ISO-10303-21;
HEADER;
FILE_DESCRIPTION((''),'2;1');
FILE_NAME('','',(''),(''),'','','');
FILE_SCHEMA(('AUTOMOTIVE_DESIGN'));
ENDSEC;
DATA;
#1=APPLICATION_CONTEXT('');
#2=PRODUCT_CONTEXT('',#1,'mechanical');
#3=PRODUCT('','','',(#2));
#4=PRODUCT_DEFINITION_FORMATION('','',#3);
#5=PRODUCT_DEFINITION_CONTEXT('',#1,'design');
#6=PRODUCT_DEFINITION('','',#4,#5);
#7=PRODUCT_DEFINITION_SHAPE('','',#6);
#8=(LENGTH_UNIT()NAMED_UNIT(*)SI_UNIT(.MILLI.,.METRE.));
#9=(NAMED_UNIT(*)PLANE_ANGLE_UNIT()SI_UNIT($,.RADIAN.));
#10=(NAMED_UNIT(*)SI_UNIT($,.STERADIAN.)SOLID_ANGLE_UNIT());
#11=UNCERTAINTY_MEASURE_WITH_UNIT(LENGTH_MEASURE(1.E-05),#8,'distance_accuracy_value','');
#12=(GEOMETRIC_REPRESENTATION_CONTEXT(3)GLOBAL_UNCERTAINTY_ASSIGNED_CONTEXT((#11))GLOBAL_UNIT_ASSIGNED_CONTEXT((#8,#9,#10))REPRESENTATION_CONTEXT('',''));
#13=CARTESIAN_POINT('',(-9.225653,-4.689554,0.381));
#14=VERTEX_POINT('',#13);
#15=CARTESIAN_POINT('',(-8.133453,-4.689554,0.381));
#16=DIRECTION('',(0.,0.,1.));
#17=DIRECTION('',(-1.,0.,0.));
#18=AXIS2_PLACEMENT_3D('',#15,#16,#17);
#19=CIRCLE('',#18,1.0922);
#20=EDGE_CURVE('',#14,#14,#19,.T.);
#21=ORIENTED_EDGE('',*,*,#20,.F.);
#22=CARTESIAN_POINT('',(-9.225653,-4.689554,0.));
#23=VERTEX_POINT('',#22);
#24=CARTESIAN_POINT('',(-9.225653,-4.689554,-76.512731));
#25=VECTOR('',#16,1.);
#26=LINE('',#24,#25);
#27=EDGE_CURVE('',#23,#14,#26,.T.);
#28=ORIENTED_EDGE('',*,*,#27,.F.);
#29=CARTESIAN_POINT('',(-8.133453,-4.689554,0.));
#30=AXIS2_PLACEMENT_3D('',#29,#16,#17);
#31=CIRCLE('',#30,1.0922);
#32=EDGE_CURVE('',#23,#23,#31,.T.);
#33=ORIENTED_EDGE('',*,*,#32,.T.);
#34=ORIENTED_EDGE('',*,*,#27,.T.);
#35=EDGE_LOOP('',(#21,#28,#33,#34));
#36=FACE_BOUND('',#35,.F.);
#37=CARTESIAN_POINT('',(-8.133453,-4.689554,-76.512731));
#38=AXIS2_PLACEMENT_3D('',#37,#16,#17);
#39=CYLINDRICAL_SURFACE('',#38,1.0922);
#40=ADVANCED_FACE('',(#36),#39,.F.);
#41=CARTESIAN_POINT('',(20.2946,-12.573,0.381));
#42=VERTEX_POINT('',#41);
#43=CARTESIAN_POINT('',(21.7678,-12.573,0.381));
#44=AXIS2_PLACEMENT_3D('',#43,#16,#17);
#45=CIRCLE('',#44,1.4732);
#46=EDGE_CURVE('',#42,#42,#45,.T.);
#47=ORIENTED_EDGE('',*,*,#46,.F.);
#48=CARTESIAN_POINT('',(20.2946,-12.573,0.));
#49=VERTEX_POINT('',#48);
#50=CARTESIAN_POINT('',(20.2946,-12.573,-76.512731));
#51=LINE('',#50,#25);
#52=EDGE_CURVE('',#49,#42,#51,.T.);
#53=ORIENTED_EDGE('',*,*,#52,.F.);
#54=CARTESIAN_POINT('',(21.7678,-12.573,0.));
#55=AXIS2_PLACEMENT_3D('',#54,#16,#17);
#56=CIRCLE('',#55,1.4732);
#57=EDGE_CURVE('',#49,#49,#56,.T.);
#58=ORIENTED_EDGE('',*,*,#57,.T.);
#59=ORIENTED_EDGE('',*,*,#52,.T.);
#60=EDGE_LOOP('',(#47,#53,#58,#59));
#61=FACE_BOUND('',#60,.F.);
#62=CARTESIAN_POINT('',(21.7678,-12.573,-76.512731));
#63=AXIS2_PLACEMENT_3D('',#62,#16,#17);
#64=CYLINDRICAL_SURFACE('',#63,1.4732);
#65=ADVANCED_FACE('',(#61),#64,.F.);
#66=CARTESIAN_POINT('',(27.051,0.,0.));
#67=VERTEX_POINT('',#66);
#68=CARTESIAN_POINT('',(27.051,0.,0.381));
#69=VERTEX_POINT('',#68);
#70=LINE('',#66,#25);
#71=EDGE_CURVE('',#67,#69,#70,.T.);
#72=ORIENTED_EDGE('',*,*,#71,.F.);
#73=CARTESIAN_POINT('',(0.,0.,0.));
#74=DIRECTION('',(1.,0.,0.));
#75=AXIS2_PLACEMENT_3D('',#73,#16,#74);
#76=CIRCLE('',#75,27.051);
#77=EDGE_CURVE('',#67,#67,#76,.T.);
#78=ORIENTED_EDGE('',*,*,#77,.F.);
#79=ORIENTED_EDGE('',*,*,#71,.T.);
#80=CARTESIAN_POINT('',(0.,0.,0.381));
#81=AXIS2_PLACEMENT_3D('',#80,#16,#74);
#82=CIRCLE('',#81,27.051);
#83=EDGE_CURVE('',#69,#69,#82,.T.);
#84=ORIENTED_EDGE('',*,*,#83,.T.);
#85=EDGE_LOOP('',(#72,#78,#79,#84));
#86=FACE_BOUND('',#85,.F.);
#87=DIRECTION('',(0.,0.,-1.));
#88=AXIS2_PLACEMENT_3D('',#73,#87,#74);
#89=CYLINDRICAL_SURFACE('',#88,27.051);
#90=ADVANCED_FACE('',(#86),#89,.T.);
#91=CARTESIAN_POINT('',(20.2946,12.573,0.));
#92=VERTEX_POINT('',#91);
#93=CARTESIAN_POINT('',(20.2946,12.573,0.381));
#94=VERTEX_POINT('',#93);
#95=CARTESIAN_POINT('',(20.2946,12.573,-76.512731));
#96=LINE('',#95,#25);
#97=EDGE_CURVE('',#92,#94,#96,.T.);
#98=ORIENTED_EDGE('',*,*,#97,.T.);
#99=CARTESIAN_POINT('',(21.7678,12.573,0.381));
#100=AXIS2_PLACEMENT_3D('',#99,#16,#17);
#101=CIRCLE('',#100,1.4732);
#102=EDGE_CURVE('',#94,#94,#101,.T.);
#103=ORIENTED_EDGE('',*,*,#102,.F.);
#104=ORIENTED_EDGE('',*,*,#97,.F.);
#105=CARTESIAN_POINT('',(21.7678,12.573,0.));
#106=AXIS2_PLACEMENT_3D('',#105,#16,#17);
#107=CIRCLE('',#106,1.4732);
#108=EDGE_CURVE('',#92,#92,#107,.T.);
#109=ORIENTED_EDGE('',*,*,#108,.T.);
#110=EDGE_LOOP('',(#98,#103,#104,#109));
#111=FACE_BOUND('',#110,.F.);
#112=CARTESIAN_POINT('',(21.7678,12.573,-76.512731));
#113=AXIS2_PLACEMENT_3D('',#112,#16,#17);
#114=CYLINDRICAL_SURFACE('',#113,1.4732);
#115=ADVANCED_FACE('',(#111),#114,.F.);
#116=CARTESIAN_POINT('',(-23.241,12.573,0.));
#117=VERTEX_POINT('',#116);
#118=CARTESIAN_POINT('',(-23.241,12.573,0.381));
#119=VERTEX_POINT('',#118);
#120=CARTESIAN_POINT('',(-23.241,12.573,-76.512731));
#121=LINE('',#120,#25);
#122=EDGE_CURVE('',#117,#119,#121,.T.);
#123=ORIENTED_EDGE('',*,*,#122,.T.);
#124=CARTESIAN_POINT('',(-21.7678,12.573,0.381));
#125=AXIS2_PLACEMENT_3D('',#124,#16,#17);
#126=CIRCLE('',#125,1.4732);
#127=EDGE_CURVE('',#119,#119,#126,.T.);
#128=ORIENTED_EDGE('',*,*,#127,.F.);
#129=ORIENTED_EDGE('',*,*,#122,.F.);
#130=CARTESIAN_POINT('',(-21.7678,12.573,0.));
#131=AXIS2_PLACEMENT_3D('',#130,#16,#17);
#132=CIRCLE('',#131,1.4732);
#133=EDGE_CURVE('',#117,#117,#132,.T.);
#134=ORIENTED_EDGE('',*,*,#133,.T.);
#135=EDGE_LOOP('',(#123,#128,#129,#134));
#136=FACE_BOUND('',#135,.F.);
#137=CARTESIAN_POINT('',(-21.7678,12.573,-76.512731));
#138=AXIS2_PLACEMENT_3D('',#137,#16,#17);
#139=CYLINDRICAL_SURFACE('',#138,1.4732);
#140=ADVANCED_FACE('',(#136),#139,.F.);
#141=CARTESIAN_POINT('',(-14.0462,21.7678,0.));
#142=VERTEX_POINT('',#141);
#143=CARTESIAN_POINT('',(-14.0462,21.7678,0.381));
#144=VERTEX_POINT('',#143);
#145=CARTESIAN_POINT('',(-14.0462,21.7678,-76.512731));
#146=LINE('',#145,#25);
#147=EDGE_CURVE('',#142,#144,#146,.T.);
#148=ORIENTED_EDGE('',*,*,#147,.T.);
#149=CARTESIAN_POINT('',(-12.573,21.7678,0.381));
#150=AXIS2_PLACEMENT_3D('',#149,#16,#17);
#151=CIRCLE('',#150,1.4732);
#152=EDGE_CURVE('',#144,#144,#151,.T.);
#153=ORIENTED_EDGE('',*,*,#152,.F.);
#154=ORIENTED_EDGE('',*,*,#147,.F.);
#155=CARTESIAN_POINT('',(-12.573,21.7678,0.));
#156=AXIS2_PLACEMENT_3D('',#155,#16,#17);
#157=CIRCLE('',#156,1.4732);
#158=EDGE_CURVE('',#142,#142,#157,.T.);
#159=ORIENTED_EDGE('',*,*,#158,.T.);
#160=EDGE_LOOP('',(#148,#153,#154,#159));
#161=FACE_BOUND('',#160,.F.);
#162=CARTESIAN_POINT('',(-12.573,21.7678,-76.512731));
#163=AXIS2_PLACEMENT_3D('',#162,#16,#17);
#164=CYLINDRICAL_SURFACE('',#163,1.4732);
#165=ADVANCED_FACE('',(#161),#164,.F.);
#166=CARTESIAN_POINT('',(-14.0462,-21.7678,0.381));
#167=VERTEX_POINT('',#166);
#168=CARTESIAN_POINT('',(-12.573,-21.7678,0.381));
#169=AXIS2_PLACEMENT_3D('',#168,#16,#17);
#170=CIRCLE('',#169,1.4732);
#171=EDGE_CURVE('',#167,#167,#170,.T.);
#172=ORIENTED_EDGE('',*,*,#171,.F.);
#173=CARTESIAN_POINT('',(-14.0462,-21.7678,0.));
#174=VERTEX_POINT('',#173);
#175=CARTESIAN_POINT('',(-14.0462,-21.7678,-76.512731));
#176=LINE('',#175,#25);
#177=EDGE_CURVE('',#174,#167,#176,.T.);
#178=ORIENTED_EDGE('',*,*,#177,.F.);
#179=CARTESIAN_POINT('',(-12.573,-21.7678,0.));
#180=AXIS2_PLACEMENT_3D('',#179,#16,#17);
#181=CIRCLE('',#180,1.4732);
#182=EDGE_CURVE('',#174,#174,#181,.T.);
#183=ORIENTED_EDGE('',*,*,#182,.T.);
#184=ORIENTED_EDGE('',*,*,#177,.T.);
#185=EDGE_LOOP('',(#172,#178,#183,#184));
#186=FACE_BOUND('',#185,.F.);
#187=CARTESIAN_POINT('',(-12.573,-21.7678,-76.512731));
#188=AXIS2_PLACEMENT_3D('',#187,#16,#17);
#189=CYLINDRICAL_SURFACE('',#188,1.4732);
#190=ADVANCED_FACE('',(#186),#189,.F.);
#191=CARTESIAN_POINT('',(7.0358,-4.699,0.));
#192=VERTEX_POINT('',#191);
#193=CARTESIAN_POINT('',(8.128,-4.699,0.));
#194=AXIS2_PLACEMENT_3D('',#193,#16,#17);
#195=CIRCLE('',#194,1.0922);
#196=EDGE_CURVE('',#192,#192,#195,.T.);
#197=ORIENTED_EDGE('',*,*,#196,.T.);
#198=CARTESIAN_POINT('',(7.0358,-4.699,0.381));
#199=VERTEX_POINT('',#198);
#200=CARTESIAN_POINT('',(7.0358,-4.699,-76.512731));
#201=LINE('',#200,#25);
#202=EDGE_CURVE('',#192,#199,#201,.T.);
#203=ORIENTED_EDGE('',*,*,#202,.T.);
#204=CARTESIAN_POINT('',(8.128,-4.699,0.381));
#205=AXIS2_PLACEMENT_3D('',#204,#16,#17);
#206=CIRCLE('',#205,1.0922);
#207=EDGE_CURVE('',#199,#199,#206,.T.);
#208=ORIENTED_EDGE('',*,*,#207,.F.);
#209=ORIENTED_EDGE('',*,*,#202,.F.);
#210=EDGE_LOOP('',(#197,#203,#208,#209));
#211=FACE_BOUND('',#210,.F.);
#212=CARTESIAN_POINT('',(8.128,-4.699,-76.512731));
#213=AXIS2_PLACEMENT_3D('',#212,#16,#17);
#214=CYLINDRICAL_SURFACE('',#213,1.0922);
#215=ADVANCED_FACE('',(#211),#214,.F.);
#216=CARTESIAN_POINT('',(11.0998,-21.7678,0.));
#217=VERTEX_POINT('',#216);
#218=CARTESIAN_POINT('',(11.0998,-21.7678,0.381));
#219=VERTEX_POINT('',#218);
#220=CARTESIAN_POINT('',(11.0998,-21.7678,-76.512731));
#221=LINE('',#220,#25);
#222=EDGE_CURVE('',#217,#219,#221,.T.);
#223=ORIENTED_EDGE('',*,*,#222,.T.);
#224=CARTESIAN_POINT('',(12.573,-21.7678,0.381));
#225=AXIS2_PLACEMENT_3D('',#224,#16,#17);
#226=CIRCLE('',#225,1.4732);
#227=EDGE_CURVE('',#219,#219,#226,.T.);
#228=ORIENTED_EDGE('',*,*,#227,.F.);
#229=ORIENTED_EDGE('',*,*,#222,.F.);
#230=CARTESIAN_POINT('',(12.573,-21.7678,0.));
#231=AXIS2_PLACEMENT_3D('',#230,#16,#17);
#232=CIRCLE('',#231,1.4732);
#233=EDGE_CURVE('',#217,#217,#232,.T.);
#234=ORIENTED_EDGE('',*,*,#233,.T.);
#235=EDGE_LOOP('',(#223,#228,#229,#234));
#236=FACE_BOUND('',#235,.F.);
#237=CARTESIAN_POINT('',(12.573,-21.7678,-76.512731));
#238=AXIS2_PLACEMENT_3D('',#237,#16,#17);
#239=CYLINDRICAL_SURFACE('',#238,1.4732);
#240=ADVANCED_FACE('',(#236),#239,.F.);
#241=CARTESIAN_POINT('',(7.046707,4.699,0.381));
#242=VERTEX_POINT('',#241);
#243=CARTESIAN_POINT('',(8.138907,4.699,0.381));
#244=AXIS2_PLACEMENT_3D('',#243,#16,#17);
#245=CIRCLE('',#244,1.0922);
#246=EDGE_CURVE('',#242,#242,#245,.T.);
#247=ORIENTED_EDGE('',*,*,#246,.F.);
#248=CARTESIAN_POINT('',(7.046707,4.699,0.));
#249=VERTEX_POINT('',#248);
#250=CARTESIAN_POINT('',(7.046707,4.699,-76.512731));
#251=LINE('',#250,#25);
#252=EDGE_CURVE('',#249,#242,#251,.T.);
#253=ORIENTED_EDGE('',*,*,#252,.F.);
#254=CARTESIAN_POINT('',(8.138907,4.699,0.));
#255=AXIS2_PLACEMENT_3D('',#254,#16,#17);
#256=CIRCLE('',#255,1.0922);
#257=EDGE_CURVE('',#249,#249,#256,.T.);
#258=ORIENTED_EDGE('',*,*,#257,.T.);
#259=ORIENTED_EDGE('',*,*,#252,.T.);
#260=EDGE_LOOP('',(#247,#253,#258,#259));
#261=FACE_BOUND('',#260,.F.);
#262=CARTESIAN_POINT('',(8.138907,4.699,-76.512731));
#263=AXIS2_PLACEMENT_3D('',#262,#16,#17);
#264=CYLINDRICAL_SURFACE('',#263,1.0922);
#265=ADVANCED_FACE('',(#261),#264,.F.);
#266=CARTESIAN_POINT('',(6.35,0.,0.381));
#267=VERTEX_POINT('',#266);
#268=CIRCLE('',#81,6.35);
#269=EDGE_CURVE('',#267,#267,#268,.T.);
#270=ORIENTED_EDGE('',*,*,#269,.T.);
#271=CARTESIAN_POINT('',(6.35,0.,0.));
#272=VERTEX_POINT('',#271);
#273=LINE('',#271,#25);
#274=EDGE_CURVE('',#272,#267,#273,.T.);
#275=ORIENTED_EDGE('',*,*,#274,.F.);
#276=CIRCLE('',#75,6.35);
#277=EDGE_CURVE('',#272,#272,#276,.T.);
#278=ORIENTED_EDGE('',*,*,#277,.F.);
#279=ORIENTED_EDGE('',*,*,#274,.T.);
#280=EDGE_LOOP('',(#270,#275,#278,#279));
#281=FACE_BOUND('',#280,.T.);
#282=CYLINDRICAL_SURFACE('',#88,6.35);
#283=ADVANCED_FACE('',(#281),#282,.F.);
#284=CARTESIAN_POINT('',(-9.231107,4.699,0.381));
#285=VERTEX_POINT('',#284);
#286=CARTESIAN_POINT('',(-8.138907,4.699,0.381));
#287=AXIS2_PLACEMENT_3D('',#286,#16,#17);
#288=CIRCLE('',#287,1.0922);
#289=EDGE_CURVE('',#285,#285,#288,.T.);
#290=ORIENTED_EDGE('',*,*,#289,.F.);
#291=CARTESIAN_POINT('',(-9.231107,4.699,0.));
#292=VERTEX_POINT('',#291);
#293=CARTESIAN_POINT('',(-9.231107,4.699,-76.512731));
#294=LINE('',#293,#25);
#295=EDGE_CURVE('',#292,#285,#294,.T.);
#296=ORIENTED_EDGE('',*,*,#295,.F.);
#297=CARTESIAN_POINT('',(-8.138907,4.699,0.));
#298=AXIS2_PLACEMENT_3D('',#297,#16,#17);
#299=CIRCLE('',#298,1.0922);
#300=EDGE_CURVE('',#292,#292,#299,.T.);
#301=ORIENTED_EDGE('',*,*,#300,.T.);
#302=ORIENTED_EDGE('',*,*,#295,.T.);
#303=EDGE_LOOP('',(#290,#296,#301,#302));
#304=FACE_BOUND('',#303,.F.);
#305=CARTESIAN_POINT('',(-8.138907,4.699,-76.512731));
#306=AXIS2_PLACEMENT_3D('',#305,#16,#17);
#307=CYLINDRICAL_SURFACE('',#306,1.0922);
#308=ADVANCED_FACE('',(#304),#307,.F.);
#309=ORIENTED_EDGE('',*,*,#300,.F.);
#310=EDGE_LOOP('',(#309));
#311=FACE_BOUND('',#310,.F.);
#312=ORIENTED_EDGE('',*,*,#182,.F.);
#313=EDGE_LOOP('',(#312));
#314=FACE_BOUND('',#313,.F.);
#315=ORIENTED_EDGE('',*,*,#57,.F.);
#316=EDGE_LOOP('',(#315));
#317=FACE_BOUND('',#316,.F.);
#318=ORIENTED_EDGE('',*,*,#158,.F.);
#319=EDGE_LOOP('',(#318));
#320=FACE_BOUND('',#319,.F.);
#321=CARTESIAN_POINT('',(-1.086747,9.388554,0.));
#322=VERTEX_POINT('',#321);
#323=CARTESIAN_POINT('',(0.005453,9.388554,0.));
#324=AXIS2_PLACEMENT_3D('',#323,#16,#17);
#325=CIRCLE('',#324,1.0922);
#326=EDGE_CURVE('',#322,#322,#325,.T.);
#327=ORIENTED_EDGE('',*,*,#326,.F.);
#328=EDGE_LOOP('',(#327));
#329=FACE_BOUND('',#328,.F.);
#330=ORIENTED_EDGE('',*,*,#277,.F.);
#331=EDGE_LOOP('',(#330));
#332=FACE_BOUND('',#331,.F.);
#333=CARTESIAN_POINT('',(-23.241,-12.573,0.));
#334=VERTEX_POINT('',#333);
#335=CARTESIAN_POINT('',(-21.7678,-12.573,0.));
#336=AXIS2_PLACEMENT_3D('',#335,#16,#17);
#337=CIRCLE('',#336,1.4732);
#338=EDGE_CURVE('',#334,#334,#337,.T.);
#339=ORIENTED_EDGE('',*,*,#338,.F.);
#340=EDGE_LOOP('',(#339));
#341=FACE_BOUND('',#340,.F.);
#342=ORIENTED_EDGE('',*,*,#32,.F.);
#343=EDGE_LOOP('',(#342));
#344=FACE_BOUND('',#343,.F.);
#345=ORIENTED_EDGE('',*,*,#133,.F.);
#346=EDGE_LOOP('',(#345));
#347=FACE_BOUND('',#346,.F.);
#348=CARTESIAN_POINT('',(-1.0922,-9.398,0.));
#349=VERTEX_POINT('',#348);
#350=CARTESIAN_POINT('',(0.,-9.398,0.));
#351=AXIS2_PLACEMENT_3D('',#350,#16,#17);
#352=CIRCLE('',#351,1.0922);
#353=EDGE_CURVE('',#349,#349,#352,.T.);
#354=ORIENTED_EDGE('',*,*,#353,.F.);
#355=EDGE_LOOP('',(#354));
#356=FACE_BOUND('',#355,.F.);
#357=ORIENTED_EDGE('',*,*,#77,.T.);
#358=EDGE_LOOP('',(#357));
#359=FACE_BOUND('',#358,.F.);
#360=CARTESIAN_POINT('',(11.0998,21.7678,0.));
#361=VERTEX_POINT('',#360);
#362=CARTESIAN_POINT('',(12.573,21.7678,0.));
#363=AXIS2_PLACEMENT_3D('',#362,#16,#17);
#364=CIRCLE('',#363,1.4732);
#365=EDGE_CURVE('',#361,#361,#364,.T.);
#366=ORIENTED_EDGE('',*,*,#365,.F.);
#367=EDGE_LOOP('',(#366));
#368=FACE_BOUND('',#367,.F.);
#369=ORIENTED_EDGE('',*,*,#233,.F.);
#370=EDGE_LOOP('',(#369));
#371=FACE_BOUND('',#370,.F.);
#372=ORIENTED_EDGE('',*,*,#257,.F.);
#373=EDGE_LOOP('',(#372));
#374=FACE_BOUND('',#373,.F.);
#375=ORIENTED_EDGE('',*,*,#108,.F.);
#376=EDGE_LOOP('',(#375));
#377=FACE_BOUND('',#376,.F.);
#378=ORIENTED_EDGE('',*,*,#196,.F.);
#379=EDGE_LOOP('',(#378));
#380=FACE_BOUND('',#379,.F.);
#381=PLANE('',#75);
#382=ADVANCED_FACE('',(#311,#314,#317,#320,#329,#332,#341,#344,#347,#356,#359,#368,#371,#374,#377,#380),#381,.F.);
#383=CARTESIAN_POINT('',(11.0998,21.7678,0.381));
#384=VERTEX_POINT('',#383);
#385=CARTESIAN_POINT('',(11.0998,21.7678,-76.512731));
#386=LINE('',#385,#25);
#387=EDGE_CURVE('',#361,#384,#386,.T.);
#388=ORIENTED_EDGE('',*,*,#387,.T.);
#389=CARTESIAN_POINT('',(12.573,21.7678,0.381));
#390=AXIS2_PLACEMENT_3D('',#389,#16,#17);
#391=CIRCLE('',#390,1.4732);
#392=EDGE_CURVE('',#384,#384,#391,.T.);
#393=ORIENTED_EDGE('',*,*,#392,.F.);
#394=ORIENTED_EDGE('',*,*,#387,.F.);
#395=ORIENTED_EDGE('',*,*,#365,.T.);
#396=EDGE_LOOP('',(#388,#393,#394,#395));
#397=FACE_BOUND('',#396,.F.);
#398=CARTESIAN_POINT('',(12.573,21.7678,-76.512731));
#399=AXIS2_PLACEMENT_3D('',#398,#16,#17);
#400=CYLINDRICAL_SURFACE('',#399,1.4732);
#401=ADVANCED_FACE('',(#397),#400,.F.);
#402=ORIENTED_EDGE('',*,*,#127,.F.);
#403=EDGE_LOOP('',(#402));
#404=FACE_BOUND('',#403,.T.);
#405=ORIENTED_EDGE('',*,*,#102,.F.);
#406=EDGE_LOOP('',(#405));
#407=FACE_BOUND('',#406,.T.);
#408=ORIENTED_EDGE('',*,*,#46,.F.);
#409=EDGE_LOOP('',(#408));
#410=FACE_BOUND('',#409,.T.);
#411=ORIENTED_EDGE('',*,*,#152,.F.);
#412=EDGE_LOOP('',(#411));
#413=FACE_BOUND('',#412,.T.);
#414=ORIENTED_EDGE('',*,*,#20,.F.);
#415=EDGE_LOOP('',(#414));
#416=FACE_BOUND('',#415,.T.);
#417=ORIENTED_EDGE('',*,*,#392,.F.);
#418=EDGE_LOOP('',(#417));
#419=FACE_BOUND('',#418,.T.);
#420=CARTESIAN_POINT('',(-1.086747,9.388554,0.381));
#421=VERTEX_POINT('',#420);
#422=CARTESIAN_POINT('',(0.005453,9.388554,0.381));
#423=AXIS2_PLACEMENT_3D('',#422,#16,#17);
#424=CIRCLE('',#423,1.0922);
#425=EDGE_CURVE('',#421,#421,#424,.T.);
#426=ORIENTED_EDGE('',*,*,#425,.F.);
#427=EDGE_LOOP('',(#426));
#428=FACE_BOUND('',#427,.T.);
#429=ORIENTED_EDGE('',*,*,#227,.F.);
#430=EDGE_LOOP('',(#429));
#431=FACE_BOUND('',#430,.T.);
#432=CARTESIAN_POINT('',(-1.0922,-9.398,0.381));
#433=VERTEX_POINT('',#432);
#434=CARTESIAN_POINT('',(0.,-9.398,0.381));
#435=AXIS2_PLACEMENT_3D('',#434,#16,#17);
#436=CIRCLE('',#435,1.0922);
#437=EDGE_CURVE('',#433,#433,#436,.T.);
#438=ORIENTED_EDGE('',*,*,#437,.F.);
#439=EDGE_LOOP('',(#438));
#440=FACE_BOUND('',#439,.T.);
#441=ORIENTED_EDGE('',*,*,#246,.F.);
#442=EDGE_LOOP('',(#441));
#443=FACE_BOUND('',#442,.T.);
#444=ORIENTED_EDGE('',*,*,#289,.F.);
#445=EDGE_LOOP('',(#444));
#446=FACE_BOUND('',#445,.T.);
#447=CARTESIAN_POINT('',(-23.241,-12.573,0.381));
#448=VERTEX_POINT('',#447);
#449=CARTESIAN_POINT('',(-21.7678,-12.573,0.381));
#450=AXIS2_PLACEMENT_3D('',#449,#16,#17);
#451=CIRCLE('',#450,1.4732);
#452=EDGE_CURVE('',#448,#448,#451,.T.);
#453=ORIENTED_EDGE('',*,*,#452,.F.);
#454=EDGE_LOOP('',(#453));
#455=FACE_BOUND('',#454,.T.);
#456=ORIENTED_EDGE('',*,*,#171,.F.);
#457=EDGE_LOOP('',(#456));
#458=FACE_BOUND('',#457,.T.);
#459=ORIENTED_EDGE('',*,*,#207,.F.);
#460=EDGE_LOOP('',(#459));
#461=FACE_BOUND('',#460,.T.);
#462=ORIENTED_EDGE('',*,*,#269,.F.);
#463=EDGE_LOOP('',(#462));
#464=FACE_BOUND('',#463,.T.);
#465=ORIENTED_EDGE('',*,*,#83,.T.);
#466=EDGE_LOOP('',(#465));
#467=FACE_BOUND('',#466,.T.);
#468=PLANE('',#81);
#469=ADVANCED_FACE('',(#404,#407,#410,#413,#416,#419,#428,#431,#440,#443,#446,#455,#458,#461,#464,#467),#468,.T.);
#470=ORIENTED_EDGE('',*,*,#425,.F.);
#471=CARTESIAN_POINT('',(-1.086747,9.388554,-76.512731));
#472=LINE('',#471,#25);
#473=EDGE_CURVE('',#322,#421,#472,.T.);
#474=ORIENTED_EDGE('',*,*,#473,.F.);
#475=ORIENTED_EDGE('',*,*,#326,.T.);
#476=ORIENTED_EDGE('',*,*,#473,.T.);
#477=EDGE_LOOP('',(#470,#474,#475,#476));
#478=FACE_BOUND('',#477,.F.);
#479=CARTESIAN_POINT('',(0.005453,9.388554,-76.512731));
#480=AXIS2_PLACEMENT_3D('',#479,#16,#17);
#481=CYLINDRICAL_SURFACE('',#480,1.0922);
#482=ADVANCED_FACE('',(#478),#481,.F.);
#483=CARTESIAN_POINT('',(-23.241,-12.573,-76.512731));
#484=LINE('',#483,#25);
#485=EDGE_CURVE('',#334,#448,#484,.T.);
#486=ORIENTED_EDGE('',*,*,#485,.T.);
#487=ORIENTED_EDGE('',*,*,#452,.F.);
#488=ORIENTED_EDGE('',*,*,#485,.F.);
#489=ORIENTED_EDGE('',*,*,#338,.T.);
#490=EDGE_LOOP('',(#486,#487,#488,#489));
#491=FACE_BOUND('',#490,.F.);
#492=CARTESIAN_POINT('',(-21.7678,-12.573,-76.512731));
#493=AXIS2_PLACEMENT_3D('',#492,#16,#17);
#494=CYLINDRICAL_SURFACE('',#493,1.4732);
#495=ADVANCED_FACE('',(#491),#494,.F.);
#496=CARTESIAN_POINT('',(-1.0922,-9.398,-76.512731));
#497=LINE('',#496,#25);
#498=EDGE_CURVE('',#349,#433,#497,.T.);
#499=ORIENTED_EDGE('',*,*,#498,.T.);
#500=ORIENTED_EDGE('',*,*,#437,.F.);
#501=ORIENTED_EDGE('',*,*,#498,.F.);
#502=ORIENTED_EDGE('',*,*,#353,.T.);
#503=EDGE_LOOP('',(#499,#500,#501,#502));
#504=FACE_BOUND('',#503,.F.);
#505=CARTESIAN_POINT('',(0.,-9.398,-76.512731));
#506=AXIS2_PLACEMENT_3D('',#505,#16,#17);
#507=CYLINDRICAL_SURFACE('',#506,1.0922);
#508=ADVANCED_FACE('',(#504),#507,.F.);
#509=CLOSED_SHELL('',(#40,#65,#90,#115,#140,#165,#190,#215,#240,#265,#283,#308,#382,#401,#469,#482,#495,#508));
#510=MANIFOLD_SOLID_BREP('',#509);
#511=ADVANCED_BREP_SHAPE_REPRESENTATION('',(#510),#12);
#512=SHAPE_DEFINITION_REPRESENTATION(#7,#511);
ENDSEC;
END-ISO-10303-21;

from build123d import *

# Parameters (mm, degrees)
F0_R     = 27.051
F0_R_2   = 6.35
F1_DEPTH = 0.381
F2_D     = 2.9464
F3_D     = 2.1844


with BuildPart() as f1:
    # F0 (on Top) → F1 (new body)
    with BuildSketch(Plane.XY):
        Circle(F0_R)
        Circle(F0_R_2, mode=Mode.SUBTRACT)
    extrude(amount=F1_DEPTH)

    # F2 (through all)
    with Locations(Plane(origin=(0, 0, 0), x_dir=(1, 0, 0), z_dir=(0, 0, -1))):
        with Locations((-21.7678, -12.573), (-12.573, -21.7678), (12.573, -21.7678), (21.7678, -12.573), (21.7678, 12.573), (12.573, 21.7678), (-12.573, 21.7678), (-21.7678, 12.573)):
            Hole(F2_D / 2)

    # F3 (through all)
    with Locations(Plane(origin=(0, 0, 0), x_dir=(1, 0, 0), z_dir=(0, 0, -1))):
        with Locations((0, 9.398), (8.128, 4.699), (-8.1389067448, -4.699), (0, 0), (0.0054533724, -9.388554482), (8.1389067448, -4.699), (-8.1334533724, 4.689554482)):
            Hole(F3_D / 2)


solid = f1.part
